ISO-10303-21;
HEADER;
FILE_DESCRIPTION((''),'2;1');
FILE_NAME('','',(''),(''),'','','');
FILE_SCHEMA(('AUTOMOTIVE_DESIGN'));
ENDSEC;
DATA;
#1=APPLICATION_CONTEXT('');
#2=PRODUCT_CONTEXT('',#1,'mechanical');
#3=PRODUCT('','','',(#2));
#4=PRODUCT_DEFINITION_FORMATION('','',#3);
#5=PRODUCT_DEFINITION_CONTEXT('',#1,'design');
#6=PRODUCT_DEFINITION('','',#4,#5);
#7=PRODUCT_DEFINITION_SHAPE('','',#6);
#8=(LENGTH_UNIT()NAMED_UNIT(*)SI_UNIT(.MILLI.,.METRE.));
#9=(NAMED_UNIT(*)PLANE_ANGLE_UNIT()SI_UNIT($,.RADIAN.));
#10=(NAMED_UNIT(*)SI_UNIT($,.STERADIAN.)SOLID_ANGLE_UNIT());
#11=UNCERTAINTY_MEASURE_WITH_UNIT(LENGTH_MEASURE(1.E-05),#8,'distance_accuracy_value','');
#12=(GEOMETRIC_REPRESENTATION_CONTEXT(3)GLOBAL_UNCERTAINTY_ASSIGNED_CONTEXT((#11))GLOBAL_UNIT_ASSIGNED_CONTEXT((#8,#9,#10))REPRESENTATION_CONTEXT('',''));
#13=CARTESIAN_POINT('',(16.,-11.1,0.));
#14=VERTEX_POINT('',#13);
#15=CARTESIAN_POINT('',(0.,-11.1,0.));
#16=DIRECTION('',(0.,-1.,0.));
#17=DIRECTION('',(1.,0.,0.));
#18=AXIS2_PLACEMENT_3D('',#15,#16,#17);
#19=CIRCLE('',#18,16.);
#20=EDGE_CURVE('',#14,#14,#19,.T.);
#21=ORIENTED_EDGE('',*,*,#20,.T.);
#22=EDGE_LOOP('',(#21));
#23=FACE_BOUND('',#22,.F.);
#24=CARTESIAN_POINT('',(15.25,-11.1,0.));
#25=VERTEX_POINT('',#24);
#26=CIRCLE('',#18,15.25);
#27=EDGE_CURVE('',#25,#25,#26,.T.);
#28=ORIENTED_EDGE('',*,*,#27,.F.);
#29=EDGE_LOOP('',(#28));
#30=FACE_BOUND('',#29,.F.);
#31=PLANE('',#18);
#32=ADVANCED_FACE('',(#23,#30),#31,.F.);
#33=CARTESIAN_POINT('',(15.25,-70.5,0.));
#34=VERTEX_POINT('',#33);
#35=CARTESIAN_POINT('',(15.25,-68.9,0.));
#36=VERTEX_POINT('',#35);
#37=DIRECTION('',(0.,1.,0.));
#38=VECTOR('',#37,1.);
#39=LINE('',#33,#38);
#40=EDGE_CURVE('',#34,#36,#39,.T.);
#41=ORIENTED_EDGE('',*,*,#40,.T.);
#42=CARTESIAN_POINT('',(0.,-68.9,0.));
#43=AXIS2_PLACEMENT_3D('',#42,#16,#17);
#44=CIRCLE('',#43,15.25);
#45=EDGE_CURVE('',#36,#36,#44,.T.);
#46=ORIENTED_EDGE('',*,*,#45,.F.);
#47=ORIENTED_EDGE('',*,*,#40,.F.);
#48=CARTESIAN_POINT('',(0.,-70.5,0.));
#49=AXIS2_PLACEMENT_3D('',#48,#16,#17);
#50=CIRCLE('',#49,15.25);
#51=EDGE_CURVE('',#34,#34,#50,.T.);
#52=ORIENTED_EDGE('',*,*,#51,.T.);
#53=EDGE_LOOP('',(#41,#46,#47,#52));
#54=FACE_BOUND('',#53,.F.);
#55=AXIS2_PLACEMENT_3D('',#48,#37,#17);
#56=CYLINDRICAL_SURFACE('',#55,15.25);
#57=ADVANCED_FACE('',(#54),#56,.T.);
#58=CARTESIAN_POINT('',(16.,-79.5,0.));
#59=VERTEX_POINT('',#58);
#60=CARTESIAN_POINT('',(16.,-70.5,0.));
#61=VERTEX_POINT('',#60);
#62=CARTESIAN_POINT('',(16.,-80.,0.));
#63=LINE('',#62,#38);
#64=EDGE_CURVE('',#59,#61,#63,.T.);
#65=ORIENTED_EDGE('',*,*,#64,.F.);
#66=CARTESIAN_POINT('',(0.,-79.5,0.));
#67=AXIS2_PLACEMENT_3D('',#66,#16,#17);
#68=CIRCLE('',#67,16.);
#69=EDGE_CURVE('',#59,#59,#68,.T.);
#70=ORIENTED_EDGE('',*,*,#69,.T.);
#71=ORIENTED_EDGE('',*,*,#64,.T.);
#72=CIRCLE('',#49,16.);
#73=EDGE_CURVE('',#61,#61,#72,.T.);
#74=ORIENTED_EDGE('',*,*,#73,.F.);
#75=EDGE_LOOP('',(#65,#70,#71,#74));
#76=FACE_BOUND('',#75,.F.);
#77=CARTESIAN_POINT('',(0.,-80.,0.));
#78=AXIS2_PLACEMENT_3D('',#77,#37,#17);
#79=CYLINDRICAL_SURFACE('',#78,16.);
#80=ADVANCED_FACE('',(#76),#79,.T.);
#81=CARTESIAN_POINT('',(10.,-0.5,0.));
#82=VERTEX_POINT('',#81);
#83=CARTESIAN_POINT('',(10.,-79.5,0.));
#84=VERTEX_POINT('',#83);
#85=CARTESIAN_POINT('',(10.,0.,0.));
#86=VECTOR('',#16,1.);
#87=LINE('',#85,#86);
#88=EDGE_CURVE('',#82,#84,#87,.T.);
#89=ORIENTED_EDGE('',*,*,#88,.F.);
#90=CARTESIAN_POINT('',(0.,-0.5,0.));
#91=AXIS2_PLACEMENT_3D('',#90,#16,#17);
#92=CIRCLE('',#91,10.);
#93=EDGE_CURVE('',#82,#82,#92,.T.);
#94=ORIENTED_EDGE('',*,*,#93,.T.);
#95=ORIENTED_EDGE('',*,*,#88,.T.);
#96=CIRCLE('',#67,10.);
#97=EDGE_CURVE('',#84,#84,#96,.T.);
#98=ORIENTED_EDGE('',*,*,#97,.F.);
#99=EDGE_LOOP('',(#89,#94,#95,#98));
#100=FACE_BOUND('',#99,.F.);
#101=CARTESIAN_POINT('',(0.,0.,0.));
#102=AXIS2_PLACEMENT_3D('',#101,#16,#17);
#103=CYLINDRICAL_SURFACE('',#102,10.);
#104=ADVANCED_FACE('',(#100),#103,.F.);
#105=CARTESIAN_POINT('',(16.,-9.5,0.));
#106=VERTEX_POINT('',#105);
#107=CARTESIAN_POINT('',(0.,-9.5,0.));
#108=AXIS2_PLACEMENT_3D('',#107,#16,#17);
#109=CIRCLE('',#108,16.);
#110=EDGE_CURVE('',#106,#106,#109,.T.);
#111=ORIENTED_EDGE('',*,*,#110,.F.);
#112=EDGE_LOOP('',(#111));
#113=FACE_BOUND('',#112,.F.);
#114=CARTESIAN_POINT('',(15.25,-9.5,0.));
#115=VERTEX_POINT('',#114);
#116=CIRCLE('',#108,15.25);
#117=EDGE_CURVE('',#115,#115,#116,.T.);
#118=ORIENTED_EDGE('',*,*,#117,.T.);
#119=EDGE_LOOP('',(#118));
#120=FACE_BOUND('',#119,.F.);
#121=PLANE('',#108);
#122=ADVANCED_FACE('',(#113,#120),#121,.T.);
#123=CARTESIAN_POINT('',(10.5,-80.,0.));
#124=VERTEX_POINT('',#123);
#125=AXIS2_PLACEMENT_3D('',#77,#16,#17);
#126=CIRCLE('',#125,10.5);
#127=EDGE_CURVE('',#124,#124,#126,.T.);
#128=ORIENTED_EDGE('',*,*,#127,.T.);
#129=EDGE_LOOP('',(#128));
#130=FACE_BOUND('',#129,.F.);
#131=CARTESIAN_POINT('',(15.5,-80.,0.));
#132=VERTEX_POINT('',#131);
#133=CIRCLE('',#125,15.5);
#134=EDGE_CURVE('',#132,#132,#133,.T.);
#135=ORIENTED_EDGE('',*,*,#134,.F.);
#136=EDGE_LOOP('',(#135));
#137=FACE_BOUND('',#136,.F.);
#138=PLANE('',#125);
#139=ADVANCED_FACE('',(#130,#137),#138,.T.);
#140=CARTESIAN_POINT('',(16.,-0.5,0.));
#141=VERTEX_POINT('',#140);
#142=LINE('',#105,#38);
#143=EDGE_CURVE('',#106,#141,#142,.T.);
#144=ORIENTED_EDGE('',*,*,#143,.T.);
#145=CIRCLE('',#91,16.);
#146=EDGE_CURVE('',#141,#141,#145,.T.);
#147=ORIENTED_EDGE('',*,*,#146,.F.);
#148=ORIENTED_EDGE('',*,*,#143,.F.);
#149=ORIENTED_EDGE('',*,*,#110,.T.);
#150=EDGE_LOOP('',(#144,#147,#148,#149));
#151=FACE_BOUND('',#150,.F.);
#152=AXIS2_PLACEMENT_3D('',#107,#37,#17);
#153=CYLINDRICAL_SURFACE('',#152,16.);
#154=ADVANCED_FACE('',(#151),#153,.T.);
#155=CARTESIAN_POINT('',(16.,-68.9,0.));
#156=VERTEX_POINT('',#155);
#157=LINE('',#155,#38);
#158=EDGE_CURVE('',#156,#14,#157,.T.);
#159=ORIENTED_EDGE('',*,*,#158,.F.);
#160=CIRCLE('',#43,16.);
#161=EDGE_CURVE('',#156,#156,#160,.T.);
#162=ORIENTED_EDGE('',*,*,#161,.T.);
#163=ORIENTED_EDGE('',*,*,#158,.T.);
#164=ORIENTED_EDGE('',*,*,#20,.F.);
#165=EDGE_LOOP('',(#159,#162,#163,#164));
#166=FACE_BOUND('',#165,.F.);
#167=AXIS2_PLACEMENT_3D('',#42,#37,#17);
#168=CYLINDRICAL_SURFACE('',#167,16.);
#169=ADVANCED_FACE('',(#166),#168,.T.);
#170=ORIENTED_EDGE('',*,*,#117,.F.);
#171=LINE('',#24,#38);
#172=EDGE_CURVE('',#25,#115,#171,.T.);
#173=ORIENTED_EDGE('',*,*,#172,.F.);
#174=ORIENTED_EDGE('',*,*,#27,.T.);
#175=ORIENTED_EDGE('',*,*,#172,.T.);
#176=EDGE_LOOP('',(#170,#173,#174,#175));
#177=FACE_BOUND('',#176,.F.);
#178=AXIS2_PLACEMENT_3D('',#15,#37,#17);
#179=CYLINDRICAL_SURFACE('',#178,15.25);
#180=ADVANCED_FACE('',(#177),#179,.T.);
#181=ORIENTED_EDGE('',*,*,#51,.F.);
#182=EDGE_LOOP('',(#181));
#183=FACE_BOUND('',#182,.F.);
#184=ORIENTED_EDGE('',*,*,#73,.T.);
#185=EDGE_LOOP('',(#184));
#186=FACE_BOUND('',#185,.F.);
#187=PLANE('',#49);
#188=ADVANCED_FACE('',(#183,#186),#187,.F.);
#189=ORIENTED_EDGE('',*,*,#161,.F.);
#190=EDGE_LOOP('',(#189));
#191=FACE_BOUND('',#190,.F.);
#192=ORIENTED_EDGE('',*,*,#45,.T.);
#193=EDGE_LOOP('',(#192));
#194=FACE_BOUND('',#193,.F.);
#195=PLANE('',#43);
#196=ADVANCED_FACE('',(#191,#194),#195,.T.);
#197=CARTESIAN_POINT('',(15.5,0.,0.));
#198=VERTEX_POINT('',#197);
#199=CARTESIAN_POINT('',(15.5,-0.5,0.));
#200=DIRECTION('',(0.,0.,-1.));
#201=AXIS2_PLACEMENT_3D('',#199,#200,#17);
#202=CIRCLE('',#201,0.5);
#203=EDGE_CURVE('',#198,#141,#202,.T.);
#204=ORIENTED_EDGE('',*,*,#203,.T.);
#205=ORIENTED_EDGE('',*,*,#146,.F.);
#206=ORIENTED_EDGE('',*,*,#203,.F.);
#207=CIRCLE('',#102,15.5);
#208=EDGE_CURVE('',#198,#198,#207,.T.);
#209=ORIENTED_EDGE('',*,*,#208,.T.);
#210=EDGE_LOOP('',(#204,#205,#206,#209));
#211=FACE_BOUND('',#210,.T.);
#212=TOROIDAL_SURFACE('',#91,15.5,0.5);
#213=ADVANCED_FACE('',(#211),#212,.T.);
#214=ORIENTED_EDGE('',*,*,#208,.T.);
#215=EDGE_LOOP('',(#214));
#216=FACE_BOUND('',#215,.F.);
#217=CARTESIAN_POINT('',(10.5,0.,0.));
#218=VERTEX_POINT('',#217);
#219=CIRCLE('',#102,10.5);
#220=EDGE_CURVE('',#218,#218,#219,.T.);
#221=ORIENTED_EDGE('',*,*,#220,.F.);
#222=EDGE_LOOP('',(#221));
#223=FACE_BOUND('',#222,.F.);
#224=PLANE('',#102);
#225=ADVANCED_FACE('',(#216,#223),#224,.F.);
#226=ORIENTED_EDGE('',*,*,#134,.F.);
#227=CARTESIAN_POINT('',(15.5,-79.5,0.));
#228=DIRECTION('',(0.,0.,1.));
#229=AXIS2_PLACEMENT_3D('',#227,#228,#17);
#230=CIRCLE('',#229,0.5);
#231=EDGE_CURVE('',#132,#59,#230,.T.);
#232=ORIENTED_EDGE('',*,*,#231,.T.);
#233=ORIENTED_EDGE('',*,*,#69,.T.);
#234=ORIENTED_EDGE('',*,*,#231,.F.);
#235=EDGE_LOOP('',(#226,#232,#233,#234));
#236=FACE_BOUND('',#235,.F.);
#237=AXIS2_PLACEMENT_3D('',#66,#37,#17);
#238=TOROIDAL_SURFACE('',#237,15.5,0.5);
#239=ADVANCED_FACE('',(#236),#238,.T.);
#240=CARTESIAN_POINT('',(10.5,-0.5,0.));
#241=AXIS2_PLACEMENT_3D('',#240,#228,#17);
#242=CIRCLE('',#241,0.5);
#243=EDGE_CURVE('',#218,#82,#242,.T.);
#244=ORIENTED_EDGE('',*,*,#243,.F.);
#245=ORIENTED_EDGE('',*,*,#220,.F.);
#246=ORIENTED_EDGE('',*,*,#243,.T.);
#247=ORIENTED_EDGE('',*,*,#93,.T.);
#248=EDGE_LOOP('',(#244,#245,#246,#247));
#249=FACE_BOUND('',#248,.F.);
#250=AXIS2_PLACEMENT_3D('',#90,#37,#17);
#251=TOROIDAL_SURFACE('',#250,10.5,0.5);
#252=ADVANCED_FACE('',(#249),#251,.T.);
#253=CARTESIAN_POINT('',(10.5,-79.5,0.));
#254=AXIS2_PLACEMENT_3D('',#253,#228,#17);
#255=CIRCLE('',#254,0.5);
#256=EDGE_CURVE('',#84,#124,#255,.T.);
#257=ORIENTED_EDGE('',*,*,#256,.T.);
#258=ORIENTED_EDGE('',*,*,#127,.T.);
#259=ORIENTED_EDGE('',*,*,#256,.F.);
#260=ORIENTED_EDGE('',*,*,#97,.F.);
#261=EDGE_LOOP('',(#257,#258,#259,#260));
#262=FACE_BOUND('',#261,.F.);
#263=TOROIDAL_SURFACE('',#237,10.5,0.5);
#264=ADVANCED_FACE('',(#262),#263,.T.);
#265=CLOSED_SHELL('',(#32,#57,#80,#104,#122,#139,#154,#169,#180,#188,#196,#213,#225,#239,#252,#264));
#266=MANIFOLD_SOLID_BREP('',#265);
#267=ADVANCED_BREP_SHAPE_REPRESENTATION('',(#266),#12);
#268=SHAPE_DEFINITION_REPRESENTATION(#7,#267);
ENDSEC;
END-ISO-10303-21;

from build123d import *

# Parameters (mm, degrees)
F2_R = 0.5


with BuildPart() as f1:
    # F0 (on Top) → F1 (revolve)
    with BuildSketch(Plane.XY):
        Polygon((16, 0), (10, 0), (10, -80), (16, -80), (16, -70.5), (15.25, -70.5), (15.25, -68.9), (16, -68.9), (16, -11.1), (15.25, -11.1), (15.25, -9.5), (16, -9.5), align=None)
    revolve(axis=Axis((0, -28.76322, 0), (0, -1, 0)))

    # F2
    f2_edges = [f1.edges().sort_by_distance(p)[0] for p in [
        (-10, -80, 0),
        (-16, -80, 0),
        (-16, 0, 0),
        (-10, 0, 0),
    ]]
    fillet(f2_edges, radius=F2_R)


solid = f1.part
